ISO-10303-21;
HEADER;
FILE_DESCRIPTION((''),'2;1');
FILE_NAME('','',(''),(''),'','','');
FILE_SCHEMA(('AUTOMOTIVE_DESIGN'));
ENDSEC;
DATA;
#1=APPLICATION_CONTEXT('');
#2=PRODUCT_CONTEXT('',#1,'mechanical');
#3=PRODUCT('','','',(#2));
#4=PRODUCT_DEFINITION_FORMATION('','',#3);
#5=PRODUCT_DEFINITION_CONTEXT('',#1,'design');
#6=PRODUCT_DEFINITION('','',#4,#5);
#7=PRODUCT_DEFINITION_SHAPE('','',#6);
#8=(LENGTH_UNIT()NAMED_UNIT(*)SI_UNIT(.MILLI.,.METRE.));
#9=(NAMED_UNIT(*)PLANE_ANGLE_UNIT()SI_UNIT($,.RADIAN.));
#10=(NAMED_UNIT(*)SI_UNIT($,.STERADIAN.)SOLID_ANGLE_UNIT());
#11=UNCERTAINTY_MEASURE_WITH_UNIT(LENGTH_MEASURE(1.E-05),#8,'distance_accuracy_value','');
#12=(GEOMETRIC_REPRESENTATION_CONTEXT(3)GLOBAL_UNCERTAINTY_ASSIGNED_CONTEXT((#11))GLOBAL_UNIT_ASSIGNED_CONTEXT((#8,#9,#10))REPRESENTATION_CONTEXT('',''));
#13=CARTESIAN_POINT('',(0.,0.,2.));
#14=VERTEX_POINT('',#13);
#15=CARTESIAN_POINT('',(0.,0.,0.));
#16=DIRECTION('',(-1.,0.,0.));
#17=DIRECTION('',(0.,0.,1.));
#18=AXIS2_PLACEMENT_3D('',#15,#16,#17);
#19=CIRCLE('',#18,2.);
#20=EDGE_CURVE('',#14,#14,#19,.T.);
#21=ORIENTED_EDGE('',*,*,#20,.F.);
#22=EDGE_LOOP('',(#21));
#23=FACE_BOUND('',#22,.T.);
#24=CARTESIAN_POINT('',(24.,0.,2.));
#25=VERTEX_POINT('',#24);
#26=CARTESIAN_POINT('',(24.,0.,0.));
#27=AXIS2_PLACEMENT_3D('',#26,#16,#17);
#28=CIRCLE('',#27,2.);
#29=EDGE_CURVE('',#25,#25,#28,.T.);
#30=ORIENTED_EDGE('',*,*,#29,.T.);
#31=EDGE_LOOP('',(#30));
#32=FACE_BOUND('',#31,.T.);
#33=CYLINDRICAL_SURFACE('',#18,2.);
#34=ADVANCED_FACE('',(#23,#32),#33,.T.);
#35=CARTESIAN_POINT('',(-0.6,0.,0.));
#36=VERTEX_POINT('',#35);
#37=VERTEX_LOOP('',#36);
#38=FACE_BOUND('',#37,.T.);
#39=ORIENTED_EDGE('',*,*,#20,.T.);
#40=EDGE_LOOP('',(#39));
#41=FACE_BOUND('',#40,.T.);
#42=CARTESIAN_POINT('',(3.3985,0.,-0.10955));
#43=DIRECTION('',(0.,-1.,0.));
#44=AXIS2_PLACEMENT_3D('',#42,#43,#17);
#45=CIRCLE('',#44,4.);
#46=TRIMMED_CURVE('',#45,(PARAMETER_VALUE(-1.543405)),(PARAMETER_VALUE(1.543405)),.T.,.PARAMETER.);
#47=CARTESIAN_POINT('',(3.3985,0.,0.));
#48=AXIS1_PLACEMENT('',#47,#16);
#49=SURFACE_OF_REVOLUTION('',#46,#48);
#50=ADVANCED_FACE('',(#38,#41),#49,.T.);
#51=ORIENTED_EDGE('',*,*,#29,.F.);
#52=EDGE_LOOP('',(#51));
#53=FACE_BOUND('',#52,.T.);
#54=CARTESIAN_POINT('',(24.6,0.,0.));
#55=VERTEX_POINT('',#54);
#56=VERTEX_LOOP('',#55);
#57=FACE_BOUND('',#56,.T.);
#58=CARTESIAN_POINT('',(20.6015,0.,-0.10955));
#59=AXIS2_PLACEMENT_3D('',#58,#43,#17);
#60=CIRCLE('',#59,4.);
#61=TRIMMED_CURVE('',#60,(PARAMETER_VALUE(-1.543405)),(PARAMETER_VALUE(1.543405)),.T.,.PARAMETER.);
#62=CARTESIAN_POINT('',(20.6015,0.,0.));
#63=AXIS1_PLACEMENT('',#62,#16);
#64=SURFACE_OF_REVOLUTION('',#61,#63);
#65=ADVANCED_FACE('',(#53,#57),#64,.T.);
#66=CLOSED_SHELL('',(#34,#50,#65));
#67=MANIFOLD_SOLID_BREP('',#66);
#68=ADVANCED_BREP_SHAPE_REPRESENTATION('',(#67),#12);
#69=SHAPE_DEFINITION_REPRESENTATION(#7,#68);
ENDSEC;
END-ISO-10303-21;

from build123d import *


with BuildPart() as part:
    # Эскиз1 → Повернуть2 (revolve)
    with BuildSketch(Plane.XY):
        with BuildLine():
            Line((0, 2), (24, 2))
            ThreePointArc((24, 2), (24.432805569, 1.039841671), (24.6, 0))
            Line((24.6, 0), (-0.6, 0))
            ThreePointArc((-0.6, 0), (-0.432805569, 1.039841671), (0, 2))
        make_face()
    revolve(axis=Axis((0, 0, 0), (1, 0, 0)))


solid = part.part
